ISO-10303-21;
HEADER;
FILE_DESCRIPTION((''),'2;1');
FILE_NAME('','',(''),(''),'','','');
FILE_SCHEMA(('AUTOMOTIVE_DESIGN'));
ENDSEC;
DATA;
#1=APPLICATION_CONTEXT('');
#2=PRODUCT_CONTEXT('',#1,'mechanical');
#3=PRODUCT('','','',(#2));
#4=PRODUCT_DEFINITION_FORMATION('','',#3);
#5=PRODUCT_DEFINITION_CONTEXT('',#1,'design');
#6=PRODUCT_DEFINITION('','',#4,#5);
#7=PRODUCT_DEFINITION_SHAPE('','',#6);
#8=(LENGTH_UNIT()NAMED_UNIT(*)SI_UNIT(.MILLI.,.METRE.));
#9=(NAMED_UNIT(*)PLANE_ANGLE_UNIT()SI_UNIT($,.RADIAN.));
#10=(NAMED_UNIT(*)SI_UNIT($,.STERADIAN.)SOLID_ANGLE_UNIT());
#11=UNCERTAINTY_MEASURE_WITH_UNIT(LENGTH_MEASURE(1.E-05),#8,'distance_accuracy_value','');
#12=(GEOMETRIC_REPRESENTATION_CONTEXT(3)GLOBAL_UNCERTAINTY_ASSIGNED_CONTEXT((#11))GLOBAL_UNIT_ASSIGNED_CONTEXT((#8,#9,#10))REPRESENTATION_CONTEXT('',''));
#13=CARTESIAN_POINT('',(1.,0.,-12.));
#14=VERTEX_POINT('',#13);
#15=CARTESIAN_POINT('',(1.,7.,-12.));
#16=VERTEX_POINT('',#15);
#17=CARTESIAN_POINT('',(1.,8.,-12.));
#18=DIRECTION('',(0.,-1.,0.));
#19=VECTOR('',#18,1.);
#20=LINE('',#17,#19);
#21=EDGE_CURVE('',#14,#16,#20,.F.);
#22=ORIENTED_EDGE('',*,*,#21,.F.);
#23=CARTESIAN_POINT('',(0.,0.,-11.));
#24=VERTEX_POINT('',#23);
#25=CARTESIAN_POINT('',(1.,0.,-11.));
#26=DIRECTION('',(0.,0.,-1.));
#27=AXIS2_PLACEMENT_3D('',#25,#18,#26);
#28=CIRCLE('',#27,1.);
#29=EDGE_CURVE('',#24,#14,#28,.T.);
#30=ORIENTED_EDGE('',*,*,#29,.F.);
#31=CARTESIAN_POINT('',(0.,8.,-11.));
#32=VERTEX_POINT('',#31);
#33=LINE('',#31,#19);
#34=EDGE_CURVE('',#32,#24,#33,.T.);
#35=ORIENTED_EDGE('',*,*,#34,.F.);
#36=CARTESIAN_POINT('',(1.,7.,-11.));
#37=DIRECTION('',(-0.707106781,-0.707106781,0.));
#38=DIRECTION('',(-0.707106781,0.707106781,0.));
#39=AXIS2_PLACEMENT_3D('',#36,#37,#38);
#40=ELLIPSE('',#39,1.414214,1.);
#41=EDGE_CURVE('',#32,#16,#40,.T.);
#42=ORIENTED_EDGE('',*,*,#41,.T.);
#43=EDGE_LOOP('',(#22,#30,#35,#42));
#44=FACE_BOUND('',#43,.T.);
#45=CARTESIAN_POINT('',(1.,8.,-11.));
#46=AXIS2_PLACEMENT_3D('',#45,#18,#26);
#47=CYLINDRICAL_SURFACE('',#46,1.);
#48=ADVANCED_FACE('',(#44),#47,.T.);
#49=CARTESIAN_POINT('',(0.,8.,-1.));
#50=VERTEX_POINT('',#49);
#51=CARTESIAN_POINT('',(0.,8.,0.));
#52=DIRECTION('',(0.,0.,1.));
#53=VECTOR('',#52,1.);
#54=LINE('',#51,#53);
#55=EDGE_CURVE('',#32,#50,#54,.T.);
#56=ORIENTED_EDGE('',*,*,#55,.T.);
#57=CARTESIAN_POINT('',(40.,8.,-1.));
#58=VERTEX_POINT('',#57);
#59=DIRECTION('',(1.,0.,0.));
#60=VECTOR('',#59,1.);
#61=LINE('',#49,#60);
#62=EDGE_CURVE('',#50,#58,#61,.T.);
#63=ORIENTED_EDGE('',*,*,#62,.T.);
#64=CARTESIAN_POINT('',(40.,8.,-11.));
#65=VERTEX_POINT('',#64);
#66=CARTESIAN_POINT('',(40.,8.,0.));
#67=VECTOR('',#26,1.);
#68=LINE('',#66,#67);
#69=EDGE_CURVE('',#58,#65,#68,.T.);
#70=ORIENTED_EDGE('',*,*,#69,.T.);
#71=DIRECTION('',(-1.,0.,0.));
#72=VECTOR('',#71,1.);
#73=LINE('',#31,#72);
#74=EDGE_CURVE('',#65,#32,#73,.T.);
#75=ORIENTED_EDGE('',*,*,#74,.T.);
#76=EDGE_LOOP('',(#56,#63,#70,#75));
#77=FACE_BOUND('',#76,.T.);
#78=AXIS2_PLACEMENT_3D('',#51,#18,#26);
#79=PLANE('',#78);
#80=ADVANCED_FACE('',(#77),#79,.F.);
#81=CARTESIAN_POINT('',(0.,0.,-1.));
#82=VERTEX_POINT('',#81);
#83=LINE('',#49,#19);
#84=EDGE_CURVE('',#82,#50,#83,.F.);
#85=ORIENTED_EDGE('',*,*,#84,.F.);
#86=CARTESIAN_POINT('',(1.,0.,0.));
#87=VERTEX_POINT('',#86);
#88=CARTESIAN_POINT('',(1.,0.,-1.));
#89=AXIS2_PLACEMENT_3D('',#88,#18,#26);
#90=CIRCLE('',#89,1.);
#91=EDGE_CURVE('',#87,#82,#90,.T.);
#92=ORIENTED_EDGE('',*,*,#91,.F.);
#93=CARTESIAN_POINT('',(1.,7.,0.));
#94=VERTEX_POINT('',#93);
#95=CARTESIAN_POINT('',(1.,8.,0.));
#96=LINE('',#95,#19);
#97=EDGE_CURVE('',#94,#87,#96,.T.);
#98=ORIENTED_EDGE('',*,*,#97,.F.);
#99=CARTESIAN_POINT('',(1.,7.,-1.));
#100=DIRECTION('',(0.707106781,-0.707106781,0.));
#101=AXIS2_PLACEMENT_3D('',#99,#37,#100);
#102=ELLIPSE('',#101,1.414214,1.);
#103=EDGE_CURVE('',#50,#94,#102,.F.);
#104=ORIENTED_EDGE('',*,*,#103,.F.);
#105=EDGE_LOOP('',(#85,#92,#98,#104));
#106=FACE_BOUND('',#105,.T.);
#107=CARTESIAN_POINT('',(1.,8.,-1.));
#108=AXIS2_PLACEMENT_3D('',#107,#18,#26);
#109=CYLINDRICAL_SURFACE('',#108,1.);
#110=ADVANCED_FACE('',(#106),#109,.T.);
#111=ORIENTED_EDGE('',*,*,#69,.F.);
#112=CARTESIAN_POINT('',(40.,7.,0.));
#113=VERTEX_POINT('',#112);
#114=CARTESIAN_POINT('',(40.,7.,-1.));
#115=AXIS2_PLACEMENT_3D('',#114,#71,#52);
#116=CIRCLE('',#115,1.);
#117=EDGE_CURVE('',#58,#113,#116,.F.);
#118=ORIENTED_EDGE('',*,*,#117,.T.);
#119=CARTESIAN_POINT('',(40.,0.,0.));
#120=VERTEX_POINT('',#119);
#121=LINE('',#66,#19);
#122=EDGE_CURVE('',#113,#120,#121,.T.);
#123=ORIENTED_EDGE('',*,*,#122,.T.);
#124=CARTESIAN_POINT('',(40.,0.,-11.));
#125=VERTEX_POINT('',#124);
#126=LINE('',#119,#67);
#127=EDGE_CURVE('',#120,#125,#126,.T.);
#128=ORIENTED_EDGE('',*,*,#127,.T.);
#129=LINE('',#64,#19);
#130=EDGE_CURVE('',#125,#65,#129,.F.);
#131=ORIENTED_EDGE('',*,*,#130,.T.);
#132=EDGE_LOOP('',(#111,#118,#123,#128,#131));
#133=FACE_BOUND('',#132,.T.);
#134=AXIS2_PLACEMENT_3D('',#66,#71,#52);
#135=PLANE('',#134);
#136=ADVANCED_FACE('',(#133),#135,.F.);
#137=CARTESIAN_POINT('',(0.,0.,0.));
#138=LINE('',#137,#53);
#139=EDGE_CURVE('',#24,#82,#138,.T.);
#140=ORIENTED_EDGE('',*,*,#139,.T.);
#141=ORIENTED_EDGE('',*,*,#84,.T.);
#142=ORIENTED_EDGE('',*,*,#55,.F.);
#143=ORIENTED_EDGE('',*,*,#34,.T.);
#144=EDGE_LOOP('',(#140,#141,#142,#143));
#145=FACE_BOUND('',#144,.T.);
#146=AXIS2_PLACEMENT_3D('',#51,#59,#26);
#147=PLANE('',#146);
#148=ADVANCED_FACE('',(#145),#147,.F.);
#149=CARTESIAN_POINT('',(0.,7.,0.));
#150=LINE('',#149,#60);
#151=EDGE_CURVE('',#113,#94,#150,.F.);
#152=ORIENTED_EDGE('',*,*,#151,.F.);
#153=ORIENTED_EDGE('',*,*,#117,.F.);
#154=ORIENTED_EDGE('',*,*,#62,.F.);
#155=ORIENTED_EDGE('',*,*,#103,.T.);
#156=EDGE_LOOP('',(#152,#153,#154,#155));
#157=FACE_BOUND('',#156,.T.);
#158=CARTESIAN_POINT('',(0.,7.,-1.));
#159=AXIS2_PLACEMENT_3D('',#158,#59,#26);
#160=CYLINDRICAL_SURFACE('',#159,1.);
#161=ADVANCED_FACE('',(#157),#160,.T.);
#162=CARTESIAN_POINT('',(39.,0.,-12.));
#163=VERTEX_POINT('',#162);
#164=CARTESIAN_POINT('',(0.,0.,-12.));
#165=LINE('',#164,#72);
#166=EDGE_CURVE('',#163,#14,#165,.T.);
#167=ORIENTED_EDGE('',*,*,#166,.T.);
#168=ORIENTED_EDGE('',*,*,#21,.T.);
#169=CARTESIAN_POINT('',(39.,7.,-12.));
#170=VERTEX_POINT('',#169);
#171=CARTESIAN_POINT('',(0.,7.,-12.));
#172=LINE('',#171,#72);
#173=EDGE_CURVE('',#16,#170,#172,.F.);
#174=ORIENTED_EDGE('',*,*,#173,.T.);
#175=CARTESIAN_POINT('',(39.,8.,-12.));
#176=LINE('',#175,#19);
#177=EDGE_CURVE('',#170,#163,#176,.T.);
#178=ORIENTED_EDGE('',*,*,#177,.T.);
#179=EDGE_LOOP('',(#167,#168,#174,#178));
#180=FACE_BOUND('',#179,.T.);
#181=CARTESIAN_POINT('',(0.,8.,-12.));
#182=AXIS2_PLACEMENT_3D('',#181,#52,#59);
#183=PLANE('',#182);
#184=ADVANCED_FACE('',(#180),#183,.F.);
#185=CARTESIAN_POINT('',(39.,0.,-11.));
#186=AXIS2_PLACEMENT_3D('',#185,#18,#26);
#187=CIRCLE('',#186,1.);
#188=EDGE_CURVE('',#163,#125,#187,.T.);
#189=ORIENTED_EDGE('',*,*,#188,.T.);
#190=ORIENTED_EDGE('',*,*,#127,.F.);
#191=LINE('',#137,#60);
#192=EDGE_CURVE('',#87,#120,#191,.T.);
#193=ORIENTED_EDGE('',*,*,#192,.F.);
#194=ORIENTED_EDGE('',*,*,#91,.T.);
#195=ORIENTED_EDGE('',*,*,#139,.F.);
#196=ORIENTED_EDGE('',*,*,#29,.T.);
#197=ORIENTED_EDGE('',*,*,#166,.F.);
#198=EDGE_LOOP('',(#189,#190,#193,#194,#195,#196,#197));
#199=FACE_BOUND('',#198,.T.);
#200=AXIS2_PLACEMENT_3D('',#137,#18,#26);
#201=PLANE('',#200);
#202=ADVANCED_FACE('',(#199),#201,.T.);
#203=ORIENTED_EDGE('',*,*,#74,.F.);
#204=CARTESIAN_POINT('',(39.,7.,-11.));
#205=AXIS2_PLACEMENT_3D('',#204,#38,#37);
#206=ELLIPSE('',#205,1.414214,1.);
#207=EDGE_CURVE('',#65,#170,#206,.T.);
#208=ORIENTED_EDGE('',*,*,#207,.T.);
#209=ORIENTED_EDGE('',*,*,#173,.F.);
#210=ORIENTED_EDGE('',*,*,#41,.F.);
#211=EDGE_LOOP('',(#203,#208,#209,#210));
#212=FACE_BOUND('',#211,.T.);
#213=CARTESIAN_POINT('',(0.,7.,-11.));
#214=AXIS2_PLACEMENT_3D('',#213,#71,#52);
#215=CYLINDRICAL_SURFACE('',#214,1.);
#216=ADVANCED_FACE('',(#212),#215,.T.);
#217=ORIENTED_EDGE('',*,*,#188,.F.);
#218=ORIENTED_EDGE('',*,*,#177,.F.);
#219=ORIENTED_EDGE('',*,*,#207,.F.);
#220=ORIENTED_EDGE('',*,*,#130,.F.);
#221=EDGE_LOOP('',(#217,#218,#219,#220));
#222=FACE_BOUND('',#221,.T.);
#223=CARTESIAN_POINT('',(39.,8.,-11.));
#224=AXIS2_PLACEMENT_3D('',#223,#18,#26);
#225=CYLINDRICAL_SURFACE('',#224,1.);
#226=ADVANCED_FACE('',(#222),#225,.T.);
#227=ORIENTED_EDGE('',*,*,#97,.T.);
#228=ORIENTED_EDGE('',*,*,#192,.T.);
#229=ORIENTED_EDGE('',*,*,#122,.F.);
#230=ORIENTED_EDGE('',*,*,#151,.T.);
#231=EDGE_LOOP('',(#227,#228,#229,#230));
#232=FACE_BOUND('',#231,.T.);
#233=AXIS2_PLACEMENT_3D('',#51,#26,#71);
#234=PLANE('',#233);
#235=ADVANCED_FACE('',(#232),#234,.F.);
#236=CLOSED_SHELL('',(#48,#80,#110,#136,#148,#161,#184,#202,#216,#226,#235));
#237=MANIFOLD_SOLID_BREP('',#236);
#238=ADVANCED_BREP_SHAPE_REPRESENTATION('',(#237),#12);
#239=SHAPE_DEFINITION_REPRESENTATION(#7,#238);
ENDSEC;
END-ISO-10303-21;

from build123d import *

# Parameters (mm, degrees)
SKETCH2_W           = 40
SKETCH2_H           = 12
BOSS_EXTRUDE2_DEPTH = 8
FILLET1_R           = 1


with BuildPart() as part:
    # Sketch2 → Boss-Extrude2 (new body)
    with BuildSketch(Plane(origin=(0, 0, 0), x_dir=(1, 0, 0), z_dir=(0, 1, 0))):
        with Locations((20, 6)):
            Rectangle(SKETCH2_W, SKETCH2_H)
    extrude(amount=BOSS_EXTRUDE2_DEPTH)

    # Fillet1
    fillet1_edges = [part.edges().sort_by_distance(p)[0] for p in [
        (20, 8, -12),
        (0, 4, -12),
        (40, 4, -12),
        (0, 4, 0),
        (20, 8, 0),
    ]]
    fillet(fillet1_edges, radius=FILLET1_R)


solid = part.part
